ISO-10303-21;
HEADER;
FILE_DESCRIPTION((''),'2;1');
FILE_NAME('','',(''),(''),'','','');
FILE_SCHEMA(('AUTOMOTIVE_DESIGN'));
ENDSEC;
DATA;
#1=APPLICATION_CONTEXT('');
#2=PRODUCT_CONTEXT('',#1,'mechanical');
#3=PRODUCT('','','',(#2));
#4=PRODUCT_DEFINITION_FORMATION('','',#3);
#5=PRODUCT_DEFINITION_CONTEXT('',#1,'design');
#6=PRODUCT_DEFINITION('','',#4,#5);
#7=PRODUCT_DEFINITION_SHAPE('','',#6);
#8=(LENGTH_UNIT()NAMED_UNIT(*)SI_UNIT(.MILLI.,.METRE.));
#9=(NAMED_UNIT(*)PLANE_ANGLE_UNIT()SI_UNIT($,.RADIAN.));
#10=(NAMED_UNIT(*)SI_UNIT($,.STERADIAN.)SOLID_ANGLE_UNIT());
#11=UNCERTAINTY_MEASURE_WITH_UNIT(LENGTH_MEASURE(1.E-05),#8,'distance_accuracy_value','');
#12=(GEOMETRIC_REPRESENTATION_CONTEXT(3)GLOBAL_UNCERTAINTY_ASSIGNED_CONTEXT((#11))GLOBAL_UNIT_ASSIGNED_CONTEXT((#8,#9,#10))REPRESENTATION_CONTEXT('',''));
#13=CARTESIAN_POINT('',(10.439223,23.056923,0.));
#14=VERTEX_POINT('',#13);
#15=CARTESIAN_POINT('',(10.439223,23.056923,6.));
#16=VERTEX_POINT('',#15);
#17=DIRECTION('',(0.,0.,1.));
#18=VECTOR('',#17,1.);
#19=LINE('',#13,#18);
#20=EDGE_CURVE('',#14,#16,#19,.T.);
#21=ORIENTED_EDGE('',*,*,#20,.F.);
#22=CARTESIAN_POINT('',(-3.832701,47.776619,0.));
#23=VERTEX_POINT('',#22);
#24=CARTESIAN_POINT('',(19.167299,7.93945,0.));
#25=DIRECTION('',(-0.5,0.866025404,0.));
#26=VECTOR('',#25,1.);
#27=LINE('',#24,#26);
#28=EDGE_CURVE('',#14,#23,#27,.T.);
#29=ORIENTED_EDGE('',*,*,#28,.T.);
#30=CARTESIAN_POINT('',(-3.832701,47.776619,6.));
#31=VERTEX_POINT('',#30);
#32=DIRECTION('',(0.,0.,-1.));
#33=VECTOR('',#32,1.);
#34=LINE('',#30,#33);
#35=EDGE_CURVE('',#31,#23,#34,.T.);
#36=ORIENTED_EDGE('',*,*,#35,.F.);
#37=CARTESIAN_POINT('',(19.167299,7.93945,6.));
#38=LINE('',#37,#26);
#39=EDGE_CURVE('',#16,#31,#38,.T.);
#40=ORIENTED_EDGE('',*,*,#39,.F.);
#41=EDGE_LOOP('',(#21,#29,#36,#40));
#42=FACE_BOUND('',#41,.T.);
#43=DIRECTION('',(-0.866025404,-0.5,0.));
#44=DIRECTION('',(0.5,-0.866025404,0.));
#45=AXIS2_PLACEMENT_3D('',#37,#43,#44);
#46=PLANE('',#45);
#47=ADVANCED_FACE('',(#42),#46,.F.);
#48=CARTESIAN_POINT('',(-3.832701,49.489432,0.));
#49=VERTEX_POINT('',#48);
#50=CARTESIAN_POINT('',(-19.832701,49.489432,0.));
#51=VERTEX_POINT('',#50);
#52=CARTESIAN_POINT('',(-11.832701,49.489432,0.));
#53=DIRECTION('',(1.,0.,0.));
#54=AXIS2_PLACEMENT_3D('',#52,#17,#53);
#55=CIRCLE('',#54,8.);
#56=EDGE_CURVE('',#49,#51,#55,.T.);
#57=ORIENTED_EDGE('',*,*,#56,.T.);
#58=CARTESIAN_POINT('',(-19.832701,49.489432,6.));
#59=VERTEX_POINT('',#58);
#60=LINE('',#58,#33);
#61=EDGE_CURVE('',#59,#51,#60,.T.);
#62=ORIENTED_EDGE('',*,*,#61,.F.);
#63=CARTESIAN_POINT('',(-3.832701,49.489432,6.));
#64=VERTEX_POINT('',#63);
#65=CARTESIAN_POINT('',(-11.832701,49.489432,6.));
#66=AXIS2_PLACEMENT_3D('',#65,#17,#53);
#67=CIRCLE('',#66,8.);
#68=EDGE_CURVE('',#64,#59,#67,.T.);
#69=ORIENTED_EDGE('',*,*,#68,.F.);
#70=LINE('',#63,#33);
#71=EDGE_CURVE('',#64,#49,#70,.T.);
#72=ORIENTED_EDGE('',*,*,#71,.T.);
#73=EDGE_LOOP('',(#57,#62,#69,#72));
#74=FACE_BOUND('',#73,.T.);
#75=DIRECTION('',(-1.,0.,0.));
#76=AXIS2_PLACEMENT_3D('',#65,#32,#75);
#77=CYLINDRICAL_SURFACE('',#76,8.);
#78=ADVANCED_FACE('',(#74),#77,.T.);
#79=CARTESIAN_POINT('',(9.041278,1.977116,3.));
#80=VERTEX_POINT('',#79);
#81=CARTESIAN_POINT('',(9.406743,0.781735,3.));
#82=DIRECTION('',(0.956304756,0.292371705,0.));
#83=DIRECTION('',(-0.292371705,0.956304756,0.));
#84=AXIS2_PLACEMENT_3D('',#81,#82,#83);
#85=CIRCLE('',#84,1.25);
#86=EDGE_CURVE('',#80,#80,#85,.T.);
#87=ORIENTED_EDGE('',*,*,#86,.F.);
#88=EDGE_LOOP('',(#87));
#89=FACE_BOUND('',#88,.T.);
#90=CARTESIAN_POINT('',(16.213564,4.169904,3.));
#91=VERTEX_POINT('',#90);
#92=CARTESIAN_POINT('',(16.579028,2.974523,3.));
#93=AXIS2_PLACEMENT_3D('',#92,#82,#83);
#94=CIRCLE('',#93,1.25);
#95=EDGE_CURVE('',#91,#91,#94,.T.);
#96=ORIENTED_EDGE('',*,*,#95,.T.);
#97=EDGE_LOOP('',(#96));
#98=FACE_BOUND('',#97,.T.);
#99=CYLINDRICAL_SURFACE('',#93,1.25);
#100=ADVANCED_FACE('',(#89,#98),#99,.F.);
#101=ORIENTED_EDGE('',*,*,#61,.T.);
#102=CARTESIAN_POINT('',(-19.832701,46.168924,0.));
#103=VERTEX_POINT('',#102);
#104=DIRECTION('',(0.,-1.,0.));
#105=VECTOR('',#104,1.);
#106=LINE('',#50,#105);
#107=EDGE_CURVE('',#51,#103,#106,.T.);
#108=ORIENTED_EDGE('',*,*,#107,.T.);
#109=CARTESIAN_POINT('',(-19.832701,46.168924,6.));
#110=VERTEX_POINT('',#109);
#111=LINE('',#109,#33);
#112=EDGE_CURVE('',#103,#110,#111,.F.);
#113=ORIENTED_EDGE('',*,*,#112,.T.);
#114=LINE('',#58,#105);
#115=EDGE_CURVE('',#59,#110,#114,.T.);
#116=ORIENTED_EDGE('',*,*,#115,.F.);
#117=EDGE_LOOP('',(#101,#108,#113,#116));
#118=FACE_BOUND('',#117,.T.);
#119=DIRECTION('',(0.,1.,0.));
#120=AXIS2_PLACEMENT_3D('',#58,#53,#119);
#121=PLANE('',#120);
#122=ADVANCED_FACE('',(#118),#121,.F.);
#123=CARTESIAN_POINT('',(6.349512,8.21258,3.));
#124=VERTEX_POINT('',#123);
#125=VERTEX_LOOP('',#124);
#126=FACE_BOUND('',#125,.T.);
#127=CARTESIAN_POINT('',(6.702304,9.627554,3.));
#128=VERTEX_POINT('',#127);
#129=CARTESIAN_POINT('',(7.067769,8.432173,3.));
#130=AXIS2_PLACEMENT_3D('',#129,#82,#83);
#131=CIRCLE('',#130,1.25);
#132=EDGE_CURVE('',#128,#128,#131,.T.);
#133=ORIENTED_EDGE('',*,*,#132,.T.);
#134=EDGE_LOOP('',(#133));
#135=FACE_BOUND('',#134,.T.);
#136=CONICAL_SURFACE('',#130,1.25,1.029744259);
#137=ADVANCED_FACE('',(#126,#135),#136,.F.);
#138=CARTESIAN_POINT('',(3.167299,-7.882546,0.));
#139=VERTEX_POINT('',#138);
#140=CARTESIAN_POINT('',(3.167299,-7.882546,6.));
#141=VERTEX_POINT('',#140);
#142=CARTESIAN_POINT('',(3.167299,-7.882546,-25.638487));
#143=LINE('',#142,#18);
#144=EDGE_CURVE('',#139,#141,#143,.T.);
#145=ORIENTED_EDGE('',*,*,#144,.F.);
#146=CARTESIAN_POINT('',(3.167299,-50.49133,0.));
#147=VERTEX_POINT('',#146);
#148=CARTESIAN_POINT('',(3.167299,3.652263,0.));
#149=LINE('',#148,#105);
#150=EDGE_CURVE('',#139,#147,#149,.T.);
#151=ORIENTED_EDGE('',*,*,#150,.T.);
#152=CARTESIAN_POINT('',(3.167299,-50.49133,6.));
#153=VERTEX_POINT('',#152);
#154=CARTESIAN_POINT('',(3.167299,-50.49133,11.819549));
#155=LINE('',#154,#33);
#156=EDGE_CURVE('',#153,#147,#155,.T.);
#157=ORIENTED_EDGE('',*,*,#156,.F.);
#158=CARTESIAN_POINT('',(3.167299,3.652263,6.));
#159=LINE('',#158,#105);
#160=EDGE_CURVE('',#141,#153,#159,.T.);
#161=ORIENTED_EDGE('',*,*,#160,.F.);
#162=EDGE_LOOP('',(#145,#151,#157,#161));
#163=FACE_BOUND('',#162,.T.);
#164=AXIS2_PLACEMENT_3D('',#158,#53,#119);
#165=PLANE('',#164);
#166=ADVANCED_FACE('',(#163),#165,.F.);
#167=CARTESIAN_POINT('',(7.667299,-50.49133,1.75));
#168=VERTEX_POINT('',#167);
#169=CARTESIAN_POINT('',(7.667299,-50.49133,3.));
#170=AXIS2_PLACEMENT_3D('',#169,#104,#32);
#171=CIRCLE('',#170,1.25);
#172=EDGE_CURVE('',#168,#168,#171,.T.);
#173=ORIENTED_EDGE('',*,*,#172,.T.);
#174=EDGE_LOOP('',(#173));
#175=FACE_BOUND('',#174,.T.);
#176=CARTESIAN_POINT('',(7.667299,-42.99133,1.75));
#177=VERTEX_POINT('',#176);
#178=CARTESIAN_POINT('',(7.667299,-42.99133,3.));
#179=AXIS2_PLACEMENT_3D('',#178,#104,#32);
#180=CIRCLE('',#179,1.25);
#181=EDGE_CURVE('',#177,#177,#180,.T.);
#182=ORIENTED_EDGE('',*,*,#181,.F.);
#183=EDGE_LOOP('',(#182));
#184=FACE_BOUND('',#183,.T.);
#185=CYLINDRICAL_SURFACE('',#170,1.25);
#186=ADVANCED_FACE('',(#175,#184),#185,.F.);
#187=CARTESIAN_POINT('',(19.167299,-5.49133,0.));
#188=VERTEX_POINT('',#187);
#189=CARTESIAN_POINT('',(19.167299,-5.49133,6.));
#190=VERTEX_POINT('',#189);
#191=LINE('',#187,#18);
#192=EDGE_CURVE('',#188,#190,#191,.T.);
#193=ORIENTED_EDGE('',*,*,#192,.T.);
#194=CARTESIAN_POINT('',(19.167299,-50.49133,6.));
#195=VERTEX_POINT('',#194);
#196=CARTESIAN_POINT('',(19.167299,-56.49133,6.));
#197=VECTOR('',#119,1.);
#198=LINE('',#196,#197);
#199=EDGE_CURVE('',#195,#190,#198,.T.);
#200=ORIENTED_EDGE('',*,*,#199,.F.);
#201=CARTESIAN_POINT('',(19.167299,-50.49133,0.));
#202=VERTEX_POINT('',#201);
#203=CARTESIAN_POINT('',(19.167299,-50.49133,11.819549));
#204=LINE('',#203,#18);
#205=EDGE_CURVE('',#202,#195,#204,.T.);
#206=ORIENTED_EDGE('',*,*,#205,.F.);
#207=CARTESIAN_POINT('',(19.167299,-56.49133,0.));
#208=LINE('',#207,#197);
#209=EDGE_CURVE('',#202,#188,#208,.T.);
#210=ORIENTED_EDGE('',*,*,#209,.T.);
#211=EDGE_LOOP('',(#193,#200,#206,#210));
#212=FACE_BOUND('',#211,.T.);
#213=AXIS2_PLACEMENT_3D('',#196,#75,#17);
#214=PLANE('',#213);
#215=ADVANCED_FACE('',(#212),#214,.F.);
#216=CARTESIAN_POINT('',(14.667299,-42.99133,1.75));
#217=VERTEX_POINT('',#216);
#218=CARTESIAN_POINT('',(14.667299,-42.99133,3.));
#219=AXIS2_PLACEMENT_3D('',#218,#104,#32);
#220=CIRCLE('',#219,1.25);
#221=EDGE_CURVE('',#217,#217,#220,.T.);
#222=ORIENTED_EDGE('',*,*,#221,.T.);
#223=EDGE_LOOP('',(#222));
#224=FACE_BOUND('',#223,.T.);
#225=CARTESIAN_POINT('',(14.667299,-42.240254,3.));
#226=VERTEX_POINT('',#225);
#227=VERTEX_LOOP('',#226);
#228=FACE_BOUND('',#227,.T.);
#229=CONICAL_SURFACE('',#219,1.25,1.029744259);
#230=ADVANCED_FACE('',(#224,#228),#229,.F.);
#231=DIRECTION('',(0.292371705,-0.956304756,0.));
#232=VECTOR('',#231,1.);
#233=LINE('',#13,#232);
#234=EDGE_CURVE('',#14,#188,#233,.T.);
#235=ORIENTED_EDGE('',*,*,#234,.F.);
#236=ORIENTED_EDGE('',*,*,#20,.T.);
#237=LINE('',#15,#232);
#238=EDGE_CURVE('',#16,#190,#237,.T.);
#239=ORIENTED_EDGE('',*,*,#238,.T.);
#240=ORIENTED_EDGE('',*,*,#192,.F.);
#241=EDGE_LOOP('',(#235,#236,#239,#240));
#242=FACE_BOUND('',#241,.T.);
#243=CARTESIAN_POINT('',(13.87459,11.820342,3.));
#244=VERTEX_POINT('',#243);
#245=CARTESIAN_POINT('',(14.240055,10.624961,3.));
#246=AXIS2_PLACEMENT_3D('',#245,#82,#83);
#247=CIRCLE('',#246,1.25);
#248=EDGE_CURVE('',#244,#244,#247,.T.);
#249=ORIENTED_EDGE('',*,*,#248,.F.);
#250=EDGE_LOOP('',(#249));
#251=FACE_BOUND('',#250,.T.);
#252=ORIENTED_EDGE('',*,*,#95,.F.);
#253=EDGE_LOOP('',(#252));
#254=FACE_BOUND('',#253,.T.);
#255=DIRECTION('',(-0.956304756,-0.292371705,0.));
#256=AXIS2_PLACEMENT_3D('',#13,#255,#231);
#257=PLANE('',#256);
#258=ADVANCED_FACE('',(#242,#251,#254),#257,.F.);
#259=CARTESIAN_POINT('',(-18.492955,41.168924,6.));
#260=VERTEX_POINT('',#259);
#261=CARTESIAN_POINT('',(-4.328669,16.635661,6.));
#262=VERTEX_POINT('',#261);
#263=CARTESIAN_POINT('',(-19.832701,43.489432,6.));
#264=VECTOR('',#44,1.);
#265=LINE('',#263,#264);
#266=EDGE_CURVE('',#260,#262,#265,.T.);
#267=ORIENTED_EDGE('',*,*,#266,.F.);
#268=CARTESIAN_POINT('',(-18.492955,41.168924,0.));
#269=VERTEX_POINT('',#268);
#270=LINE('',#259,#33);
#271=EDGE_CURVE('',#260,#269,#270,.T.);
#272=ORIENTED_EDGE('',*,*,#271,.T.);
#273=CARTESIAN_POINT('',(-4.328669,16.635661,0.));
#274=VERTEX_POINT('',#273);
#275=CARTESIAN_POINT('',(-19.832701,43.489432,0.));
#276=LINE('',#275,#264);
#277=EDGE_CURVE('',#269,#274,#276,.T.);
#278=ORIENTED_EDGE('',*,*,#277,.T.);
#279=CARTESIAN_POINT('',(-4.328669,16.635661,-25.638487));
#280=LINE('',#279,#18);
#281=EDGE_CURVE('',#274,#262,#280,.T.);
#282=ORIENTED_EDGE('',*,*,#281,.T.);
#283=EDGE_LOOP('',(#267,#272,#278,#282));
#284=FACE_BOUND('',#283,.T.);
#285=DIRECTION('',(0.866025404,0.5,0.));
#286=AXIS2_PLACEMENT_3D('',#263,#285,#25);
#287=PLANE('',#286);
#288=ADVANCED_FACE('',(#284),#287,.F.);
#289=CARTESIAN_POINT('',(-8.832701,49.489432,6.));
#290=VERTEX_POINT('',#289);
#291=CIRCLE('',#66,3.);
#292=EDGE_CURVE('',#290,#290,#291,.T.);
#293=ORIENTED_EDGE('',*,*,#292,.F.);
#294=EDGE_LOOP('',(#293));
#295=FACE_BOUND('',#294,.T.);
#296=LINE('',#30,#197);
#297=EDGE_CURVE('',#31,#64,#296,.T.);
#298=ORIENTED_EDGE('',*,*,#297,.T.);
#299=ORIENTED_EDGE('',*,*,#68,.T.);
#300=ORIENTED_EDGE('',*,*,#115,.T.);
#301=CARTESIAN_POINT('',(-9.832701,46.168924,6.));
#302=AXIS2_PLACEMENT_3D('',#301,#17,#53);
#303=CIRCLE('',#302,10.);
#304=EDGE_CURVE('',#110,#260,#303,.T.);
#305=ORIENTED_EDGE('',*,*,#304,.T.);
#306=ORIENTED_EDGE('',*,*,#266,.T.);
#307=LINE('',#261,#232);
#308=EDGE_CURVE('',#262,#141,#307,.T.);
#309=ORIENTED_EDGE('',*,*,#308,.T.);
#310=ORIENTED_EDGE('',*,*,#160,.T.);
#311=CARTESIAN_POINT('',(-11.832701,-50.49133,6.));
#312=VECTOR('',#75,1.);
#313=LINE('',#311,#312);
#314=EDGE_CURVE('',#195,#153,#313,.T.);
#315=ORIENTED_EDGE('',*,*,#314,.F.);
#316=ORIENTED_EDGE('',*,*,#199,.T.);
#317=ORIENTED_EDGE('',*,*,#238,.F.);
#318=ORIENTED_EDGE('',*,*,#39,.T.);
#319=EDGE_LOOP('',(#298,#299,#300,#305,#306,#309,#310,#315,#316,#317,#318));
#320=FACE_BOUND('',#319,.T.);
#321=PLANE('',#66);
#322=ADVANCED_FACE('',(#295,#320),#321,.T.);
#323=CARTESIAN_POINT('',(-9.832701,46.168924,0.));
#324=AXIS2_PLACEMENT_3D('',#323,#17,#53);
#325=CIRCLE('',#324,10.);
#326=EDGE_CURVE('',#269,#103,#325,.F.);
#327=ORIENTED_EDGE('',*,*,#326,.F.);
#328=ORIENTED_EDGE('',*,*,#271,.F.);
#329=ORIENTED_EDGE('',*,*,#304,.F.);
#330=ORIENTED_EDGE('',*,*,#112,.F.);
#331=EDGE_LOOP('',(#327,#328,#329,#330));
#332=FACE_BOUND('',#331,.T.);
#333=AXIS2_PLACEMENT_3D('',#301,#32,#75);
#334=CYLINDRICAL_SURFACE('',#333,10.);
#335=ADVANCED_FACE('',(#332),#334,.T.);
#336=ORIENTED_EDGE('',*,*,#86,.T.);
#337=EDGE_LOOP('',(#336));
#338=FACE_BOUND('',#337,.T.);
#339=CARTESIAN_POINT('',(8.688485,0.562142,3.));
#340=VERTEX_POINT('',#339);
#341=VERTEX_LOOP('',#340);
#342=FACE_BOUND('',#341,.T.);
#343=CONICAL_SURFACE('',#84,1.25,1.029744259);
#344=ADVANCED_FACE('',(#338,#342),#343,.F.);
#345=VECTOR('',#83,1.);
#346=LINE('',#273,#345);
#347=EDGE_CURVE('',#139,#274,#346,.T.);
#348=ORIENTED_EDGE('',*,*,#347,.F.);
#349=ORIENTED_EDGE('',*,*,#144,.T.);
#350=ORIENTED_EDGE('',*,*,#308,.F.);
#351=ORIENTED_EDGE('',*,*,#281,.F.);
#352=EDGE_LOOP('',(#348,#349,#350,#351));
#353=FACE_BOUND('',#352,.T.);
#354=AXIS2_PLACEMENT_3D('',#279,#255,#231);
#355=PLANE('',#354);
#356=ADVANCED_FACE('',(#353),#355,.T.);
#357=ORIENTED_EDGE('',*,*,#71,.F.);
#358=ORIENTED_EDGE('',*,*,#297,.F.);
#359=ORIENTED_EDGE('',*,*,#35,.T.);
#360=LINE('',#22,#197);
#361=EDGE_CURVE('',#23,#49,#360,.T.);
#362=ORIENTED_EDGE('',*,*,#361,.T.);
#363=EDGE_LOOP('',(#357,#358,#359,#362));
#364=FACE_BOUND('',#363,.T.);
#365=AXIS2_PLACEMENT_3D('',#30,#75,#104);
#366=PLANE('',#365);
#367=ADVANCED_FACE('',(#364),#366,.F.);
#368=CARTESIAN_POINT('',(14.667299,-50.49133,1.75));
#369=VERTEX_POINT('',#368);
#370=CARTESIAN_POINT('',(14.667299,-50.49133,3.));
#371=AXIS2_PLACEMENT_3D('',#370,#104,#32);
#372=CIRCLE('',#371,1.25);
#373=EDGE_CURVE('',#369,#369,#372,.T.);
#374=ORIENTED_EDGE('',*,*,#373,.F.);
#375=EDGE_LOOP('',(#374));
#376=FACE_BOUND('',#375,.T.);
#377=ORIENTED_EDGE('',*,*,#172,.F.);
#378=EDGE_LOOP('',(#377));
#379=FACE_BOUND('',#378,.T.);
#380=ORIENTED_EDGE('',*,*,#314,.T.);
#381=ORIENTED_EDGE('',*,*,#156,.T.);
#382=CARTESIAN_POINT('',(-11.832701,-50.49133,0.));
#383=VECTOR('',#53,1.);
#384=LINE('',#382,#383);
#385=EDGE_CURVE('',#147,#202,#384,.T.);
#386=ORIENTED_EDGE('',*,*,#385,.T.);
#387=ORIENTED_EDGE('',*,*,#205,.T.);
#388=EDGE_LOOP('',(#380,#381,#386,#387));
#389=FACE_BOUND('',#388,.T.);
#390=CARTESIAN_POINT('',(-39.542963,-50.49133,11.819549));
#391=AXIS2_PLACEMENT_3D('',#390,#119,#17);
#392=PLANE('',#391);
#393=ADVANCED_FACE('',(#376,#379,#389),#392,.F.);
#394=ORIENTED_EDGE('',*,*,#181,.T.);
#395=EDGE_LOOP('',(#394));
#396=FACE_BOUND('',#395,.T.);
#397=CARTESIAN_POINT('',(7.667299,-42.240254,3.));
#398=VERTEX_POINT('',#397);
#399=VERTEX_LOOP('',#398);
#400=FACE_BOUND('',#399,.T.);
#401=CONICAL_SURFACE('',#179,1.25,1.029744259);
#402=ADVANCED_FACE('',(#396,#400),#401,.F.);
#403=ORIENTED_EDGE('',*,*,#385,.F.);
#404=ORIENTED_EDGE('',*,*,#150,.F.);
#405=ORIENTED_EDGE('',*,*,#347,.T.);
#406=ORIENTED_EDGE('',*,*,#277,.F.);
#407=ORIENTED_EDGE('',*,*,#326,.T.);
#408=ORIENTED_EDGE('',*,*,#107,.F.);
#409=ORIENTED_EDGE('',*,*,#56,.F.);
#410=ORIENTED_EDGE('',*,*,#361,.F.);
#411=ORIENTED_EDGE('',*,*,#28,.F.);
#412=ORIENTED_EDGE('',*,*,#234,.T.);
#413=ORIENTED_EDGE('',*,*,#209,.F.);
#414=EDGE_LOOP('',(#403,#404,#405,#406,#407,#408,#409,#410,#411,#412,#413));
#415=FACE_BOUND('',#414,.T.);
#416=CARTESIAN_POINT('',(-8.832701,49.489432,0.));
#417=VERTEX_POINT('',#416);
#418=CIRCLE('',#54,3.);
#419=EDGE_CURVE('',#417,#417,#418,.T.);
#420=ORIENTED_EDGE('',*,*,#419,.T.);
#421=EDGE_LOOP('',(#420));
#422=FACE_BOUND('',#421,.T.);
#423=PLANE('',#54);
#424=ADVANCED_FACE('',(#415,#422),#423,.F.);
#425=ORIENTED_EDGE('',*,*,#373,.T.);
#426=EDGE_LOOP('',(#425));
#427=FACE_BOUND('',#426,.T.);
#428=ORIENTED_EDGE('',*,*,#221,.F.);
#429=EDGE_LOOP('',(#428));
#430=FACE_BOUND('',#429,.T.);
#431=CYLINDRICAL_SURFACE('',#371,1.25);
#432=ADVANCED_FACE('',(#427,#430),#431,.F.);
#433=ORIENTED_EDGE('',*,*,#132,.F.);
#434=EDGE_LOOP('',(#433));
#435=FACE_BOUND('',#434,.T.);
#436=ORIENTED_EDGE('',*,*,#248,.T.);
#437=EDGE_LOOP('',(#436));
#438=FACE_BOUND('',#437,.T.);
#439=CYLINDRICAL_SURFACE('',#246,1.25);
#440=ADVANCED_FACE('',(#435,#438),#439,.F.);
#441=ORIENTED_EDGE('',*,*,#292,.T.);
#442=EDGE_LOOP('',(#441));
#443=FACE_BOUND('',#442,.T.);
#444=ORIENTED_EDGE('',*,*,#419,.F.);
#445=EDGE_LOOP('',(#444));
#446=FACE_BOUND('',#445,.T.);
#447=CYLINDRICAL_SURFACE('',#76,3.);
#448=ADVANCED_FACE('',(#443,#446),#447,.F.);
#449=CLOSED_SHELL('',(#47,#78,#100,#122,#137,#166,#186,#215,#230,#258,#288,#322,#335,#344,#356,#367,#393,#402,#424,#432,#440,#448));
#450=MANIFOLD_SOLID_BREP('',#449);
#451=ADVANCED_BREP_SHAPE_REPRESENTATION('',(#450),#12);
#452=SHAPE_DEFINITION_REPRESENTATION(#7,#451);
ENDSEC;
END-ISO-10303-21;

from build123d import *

# Parameters (mm, degrees)
SKETCH_1_R                       = 3
EXTRUDE_1_DEPTH                  = 6
SKETCH_2_W                       = 16
SKETCH_2_H                       = 26
SKETCH_2_R                       = 1.6
EXTRUDE_2_DEPTH                  = 6
FILLET_2_R                       = 10
FILLET_3_R                       = 2
SKETCH_3_W                       = 39.771534619
SKETCH_3_H                       = 15.568928143
CUT_EXTRUDE_1_DEPTH              = 16
HOLE_WIZARD_M3_1_D               = 2.5
HOLE_WIZARD_M3_1_DEPTH           = 7.5
HOLE_WIZARD_M3_1_TIP             = 0.751075774
CUT_EXTRUDE_2_DEPTH              = 7
EXTRUDE_3_DEPTH                  = 6
HOLE_WIZARD_M3_3_D               = 2.5
HOLE_WIZARD_M3_3_DEPTH           = 7.5
HOLE_WIZARD_M3_3_TIP             = 0.751075774
HOLE_WIZARD_M3_3_ON_FACE_2_D     = 2.5
HOLE_WIZARD_M3_3_ON_FACE_2_DEPTH = 7.5
HOLE_WIZARD_M3_3_ON_FACE_2_TIP   = 0.751075774


with BuildPart() as part:
    # 草图1 → 凸台-拉伸1 (new body)
    with BuildSketch(Plane.XY):
        with BuildLine():
            Line((19.167299473, 7.939450352), (-3.832700527, 47.776618926))
            Line((-3.832700527, 47.776618926), (-3.832700527, 49.489431847))
            ThreePointArc((-3.832700527, 49.489431847), (-11.832700527, 57.489431847), (-19.832700527, 49.489431847))
            Line((-19.832700527, 49.489431847), (-19.832700527, 43.489431847))
            Line((-19.832700527, 43.489431847), (3.167299473, 3.652263273))
            Line((3.167299473, 3.652263273), (3.167299473, -56.491330266))
            Line((3.167299473, -56.491330266), (19.167299473, -56.491330266))
            Line((19.167299473, -56.491330266), (19.167299473, 7.939450352))
        make_face()
        with Locations((-11.832700527, 49.489431847)):
            Circle(SKETCH_1_R, mode=Mode.SUBTRACT)
    extrude(amount=EXTRUDE_1_DEPTH)

    # 草图2 → 凸台-拉伸2 (add)
    with BuildSketch(Plane.XZ.offset(56.491330266)):
        with Locations((11.167299473, -7)):
            Rectangle(SKETCH_2_W, SKETCH_2_H)
        with Locations((7.167299473, -8)):
            Circle(SKETCH_2_R, mode=Mode.SUBTRACT)
        with Locations((15.167299473, -15)):
            Circle(SKETCH_2_R, mode=Mode.SUBTRACT)
    extrude(amount=-EXTRUDE_2_DEPTH)

    # 圆角2
    fillet_2_edges = [part.edges().sort_by_distance(p)[0] for p in [
        (-19.832700527, 43.489431847, 3),
    ]]
    fillet(fillet_2_edges, radius=FILLET_2_R)

    # 圆角3
    fillet_3_edges = [part.edges().sort_by_distance(p)[0] for p in [
        (3.167299473, -53.491330266, -20),
        (19.167299473, -53.491330266, -20),
    ]]
    fillet(fillet_3_edges, radius=FILLET_3_R)

    # 草图3 → 切除-拉伸1 (cut)
    with BuildSketch(Plane(origin=(19.167299473, 0, 0), x_dir=(0, 0, -1), z_dir=(1, 0, 0))):
        with Locations((8.066218502, -58.275794338)):
            Rectangle(SKETCH_3_W, SKETCH_3_H)
    extrude(amount=-CUT_EXTRUDE_1_DEPTH, mode=Mode.SUBTRACT)

    # M3 螺纹孔1
    with Locations(Plane(origin=(0, -50.491330266, 0), x_dir=(-1, 0, 0), z_dir=(0, -1, 0))):
        with Locations((-7.667299473, -3), (-14.667299473, -3)):
            Hole(HOLE_WIZARD_M3_1_D / 2, depth=HOLE_WIZARD_M3_1_DEPTH)
            with Locations((0, 0, -(HOLE_WIZARD_M3_1_DEPTH + HOLE_WIZARD_M3_1_TIP / 2))):  # 118° drill point
                Cone(0, HOLE_WIZARD_M3_1_D / 2, HOLE_WIZARD_M3_1_TIP, mode=Mode.SUBTRACT)

    # 草图9 → 切除-拉伸2 (cut, through all)
    with BuildSketch(Plane.XY.offset(6)):
        Polygon((10.439222522, 23.056923084), (29.925755937, 19.338586327), (19.167299473, -5.491330266), align=None)
    extrude(amount=-CUT_EXTRUDE_2_DEPTH, mode=Mode.SUBTRACT)

    # 草图12 → 凸台-拉伸3 (add)
    with BuildSketch(Plane.XY.offset(6)):
        Polygon((-4.328668805, 16.635661183), (3.167299473, -7.882546288), (3.167299473, 3.652263273), align=None)
    extrude(amount=-EXTRUDE_3_DEPTH)

    # M3 螺纹孔3
    with Locations(Plane(origin=(14.240054683, 10.624961257, 3), x_dir=(-0.292371705, 0.956304756, 0), z_dir=(0.956304756, 0.292371705, 0))):
        with Locations((0, 0)):
            Hole(HOLE_WIZARD_M3_3_D / 2, depth=HOLE_WIZARD_M3_3_DEPTH)
            with Locations((0, 0, -(HOLE_WIZARD_M3_3_DEPTH + HOLE_WIZARD_M3_3_TIP / 2))):  # 118° drill point
                Cone(0, HOLE_WIZARD_M3_3_D / 2, HOLE_WIZARD_M3_3_TIP, mode=Mode.SUBTRACT)

    # M3 螺纹孔3 on face 2
    with Locations(Plane(origin=(16.579028321, 2.974523209, 3), x_dir=(-0.292371907, 0.956304694, 0), z_dir=(0.956304694, 0.292371907, 0))):
        with Locations((0, 0)):
            Hole(HOLE_WIZARD_M3_3_ON_FACE_2_D / 2, depth=HOLE_WIZARD_M3_3_ON_FACE_2_DEPTH)
            with Locations((0, 0, -(HOLE_WIZARD_M3_3_ON_FACE_2_DEPTH + HOLE_WIZARD_M3_3_ON_FACE_2_TIP / 2))):  # 118° drill point
                Cone(0, HOLE_WIZARD_M3_3_ON_FACE_2_D / 2, HOLE_WIZARD_M3_3_ON_FACE_2_TIP, mode=Mode.SUBTRACT)


solid = part.part
